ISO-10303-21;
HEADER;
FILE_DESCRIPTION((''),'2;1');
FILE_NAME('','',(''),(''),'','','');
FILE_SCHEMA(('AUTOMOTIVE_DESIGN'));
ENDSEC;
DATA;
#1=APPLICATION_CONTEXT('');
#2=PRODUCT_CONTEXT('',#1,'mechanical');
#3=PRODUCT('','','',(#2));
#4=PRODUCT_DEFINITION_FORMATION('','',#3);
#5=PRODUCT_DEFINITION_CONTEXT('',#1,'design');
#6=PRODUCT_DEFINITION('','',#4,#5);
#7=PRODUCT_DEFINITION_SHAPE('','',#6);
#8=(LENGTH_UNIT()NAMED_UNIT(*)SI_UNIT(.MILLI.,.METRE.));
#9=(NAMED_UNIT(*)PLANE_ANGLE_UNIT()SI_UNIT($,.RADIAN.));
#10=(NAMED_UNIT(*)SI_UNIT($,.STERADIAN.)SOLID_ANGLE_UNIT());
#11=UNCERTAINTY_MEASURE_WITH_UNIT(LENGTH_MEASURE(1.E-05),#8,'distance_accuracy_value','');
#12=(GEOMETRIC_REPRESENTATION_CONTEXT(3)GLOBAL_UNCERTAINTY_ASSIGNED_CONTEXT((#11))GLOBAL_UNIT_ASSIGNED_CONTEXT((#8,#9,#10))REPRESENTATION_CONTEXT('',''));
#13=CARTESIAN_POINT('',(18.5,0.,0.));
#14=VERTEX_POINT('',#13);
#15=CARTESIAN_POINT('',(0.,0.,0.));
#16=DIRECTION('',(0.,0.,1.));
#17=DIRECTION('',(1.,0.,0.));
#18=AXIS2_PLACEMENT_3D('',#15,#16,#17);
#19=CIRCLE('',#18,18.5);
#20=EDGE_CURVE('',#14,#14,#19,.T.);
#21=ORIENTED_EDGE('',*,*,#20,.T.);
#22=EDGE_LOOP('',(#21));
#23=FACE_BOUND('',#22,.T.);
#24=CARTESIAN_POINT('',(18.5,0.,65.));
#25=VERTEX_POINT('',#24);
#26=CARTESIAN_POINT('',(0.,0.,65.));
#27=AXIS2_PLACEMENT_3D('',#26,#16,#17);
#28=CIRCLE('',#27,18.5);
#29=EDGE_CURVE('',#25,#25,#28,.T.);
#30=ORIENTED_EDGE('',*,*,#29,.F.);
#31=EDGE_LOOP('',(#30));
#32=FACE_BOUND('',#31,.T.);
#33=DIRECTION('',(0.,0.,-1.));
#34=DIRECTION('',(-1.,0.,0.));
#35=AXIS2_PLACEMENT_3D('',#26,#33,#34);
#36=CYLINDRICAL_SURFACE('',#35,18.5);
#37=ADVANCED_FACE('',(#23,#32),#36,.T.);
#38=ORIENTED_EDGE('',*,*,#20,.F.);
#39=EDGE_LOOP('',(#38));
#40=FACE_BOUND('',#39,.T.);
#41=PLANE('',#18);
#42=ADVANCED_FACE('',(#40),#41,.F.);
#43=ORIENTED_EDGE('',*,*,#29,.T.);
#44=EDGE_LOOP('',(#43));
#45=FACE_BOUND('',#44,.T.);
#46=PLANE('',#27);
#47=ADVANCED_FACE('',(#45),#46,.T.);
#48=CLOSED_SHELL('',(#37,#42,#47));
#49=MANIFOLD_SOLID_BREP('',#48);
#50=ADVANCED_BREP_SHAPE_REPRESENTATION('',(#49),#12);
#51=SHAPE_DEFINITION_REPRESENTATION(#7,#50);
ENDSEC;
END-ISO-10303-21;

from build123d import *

# Parameters (mm, degrees)
SKETCH_1_R      = 18.5
EXTRUDE_1_DEPTH = 65


with BuildPart() as part:
    # 草圖1 → 伸長1 (new body)
    with BuildSketch(Plane.XY):
        Circle(SKETCH_1_R)
    extrude(amount=EXTRUDE_1_DEPTH)


solid = part.part
